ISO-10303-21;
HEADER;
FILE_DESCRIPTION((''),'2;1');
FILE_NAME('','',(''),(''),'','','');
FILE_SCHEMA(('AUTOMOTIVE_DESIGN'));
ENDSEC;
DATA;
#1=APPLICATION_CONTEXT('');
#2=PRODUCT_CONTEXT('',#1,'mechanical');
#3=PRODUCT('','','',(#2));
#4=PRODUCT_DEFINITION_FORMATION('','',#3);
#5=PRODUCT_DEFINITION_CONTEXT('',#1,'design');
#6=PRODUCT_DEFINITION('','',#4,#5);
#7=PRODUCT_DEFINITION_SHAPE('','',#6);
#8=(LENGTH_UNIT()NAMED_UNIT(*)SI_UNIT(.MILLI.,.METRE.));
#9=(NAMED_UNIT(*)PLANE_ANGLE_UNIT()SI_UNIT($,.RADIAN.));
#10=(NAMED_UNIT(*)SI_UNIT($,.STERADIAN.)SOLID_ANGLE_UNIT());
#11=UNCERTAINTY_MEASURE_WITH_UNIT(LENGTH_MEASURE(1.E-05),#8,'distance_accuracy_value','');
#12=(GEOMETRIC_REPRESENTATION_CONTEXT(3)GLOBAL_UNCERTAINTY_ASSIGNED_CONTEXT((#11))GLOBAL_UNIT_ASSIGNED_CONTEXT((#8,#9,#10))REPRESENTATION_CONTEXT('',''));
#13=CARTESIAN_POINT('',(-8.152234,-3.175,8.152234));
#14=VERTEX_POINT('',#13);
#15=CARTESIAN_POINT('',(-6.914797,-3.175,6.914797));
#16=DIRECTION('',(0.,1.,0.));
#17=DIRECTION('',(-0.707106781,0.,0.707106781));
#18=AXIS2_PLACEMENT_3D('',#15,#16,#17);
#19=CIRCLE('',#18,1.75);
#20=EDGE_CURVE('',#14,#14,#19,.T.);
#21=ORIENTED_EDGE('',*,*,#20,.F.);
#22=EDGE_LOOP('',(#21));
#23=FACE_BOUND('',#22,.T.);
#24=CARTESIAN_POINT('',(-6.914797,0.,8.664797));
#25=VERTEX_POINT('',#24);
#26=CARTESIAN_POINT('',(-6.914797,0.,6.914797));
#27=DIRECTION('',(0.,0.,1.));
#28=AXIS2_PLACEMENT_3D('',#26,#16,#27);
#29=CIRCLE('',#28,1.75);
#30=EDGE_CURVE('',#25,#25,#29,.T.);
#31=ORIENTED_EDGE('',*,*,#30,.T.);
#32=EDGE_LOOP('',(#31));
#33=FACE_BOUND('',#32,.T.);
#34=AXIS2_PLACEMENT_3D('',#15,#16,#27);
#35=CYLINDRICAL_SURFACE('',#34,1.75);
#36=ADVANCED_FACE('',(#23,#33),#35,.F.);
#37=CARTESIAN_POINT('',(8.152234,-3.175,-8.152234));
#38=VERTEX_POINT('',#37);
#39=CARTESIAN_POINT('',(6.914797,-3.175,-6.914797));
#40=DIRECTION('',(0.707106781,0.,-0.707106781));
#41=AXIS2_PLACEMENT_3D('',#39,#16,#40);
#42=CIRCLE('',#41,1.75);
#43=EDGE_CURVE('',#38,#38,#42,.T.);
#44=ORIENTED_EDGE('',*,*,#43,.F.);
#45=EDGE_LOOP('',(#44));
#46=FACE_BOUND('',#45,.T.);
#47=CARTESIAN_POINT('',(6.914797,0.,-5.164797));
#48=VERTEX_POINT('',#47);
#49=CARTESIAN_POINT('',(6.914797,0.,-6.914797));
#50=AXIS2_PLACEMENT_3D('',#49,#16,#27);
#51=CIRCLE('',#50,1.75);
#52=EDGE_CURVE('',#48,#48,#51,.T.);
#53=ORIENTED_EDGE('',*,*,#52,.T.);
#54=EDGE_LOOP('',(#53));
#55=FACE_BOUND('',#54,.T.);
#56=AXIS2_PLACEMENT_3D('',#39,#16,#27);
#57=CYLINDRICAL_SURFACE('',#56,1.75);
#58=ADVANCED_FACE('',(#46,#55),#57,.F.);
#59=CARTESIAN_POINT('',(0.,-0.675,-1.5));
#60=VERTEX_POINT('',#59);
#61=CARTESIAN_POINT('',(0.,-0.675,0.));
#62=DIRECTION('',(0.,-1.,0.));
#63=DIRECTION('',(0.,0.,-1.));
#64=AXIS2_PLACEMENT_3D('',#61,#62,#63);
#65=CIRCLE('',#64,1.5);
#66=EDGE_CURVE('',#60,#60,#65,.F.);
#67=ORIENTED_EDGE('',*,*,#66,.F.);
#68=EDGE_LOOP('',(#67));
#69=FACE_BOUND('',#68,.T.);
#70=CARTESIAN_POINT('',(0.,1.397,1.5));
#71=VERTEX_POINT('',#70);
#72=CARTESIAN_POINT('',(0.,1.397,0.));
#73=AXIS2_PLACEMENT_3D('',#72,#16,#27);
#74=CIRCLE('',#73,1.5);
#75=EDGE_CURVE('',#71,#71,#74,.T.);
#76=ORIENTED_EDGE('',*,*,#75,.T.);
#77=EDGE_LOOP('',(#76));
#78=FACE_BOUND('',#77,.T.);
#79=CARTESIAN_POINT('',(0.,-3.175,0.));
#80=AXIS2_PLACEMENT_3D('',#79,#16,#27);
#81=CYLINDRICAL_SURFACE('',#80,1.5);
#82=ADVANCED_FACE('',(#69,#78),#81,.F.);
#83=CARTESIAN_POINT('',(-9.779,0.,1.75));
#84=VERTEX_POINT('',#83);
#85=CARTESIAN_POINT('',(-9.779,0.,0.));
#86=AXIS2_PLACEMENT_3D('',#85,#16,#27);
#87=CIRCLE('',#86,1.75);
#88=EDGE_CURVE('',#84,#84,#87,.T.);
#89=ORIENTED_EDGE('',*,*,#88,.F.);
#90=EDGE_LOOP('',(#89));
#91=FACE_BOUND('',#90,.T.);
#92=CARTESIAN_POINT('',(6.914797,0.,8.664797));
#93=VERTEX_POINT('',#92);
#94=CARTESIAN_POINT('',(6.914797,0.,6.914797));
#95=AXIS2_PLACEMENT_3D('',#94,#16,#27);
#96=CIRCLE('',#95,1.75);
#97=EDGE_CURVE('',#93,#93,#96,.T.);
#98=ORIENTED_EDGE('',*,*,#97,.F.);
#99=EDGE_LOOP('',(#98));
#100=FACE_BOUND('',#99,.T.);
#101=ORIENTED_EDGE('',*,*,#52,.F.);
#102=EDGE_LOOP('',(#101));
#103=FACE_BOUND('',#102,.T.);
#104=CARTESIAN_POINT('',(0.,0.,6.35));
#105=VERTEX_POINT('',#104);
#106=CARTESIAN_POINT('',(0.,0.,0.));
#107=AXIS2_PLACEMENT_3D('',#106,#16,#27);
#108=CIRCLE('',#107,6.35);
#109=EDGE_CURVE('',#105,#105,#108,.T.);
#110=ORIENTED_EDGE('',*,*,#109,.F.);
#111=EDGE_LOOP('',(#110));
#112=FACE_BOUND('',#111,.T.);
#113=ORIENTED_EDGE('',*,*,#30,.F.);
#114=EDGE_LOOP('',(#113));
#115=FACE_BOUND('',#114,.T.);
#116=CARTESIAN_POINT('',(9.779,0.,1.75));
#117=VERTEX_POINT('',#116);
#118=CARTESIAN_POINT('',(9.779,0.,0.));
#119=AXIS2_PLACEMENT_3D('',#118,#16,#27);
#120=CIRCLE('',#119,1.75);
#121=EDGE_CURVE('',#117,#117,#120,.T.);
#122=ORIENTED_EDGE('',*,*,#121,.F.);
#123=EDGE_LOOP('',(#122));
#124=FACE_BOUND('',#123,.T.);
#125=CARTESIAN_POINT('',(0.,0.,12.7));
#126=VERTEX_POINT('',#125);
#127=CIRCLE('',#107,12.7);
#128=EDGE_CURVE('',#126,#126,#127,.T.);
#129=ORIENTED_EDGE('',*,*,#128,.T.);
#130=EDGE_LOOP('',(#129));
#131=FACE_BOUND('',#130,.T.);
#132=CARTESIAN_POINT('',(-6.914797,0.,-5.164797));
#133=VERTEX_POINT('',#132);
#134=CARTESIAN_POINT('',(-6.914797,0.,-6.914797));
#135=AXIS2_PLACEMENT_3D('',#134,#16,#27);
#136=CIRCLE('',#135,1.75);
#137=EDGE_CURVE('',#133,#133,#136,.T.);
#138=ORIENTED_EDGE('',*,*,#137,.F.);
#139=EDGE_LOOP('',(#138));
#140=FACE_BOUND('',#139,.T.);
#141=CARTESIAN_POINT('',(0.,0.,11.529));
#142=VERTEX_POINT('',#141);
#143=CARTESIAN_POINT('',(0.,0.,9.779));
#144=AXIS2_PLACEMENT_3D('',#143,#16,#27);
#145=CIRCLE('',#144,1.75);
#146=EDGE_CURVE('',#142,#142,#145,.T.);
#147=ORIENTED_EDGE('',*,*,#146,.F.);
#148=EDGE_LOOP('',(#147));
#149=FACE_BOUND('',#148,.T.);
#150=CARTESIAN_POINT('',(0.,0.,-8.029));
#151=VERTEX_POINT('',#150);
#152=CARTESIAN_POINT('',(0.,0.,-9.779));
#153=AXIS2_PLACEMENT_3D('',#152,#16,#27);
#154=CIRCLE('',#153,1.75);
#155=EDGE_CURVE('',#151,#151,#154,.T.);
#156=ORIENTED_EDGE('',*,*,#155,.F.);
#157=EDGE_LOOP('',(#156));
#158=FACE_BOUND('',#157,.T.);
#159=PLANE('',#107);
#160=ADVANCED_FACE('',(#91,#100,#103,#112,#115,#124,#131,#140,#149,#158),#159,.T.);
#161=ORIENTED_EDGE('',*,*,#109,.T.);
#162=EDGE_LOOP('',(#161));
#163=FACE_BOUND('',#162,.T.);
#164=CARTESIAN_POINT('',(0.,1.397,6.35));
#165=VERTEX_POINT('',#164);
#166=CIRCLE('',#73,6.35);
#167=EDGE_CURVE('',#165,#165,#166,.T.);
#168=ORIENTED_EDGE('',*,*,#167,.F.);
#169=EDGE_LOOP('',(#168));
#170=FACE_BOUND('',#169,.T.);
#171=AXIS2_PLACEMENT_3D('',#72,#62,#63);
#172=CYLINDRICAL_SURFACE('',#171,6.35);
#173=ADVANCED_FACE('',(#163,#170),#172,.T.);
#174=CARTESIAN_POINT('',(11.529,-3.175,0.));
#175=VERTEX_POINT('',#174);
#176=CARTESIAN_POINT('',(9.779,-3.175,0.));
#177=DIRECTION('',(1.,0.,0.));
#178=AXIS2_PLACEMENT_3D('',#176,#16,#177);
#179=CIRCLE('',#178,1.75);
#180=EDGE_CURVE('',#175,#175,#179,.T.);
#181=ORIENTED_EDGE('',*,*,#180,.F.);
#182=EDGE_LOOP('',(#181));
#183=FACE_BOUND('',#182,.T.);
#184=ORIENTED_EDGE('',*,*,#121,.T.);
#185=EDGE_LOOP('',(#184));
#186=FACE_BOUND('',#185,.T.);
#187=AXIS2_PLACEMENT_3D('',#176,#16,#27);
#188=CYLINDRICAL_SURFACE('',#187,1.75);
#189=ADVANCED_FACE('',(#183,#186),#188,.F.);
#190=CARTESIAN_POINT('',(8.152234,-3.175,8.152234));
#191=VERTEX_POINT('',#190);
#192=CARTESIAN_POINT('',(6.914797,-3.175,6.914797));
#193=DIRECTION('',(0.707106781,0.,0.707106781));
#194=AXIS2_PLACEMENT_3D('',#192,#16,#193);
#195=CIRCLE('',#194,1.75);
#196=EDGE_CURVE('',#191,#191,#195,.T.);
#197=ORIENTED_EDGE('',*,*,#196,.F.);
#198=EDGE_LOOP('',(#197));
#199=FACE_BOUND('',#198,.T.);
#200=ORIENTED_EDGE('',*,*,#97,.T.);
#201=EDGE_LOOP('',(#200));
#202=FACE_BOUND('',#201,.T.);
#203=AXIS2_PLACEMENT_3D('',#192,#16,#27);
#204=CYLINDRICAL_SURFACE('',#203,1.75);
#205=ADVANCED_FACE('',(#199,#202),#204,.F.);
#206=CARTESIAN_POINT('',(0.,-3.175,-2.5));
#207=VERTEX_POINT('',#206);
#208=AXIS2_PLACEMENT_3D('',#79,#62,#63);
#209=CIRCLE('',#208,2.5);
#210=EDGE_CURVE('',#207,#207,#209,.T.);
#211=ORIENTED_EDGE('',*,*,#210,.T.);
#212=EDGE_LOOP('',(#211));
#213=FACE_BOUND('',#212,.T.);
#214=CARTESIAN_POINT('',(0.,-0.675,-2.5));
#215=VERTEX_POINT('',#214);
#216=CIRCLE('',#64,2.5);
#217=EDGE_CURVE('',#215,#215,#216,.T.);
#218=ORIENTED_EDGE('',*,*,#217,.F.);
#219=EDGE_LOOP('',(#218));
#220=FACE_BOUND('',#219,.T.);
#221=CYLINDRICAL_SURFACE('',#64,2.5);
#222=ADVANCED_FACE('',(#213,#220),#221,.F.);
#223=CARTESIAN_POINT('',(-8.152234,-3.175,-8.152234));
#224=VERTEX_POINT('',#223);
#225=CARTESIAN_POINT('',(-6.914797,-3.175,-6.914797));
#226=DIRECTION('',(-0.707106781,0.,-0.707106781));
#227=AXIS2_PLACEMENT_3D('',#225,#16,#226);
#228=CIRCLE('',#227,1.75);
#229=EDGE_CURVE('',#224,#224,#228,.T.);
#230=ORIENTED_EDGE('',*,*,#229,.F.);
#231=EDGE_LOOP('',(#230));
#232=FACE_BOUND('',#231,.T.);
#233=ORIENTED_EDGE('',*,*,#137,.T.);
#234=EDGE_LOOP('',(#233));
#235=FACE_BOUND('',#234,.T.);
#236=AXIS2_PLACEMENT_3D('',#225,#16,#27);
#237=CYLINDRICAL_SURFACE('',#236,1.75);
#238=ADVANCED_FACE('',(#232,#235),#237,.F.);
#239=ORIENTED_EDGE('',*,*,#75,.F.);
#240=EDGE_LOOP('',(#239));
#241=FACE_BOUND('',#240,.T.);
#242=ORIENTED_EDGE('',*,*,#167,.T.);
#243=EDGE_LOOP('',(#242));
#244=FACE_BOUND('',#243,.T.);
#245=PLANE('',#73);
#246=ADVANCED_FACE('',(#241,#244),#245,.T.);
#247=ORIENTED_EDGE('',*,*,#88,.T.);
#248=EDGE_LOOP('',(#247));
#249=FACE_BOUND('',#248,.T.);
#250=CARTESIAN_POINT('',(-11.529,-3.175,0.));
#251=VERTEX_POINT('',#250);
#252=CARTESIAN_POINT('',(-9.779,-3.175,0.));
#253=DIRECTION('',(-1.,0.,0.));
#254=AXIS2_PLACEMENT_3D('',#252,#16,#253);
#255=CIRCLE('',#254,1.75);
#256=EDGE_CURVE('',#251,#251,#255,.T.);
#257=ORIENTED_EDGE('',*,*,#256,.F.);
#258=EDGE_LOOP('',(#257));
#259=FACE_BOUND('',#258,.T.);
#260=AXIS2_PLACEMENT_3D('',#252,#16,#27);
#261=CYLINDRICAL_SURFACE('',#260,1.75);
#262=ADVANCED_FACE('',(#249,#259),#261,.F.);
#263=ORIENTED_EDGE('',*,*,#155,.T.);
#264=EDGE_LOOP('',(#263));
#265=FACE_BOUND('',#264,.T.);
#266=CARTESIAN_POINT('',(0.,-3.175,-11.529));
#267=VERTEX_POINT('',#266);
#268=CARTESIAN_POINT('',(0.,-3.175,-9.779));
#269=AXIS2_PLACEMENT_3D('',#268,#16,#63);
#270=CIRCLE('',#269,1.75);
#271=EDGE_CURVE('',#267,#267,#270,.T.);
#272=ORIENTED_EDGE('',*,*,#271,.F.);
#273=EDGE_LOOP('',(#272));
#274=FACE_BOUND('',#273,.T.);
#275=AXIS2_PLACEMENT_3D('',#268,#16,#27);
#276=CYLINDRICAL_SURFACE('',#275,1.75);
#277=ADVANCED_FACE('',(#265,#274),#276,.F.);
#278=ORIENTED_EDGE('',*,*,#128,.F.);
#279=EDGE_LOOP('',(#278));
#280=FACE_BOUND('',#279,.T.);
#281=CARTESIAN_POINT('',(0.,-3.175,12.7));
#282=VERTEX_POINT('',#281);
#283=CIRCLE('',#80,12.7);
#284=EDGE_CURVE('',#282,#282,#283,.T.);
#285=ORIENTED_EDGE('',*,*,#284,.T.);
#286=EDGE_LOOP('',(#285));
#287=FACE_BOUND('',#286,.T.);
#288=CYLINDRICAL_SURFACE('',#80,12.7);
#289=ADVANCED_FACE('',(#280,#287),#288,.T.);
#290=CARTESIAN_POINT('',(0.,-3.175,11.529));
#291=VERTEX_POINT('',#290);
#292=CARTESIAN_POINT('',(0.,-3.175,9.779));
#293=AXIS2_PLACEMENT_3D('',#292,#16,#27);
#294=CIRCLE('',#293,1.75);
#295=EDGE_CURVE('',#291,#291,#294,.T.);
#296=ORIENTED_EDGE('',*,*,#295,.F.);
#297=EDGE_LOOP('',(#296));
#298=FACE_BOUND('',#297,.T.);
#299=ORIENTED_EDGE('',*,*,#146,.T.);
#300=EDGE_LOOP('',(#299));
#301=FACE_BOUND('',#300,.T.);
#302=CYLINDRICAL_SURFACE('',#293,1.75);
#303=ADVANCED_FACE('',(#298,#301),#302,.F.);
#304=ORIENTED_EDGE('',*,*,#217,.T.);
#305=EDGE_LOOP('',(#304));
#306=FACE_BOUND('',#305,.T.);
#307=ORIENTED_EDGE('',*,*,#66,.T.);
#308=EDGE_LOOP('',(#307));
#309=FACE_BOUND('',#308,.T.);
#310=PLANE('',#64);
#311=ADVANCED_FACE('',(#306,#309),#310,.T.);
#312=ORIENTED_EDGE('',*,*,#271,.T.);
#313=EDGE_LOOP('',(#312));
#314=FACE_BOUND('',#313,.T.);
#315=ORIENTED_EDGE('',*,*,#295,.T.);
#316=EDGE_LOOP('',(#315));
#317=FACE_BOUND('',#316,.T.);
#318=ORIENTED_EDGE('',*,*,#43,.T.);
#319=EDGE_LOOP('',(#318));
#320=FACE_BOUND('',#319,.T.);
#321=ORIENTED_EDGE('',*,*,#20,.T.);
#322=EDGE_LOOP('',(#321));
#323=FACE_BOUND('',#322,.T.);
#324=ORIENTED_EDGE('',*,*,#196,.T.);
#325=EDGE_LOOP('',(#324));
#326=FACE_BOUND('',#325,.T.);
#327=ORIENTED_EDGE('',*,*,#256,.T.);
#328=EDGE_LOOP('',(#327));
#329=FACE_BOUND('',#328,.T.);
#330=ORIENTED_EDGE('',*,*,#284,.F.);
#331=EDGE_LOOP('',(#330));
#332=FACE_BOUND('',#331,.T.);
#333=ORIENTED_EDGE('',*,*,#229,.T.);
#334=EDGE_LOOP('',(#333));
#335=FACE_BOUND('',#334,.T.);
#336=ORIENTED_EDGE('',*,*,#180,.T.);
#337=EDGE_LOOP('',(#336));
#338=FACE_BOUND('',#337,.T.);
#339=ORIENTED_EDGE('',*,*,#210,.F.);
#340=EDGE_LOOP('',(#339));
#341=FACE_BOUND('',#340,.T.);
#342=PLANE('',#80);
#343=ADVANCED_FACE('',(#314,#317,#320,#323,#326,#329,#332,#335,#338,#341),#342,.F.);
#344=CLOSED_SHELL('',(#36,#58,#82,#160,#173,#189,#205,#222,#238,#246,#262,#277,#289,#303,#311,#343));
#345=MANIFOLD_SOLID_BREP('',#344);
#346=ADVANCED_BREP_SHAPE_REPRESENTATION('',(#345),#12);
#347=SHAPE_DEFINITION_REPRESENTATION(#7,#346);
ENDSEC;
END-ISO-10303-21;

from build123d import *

# Parameters (mm, degrees)
SKETCH1_R               = 12.7
BOSS_EXTRUDE1_DEPTH     = 3.175
SKETCH2_R               = 6.35
BOSS_EXTRUDE2_DEPTH     = 1.397
CUT_EXTRUDE1_DEPTH      = 19.533299329
CUT_EXTRUDE1_DEPTH_BACK = 19.533299329
SKETCH3_R               = 1.5
SKETCH4_R               = 1.75
CUT_EXTRUDE2_DEPTH      = 19.238986403
CIRPATTERN1_COUNT       = 8
SKETCH5_R               = 2.5
CUT_EXTRUDE3_DEPTH      = 2.5


with BuildPart() as part:
    # Sketch1 → Boss-Extrude1 (new body)
    with BuildSketch(Plane(origin=(0, 0, 0), x_dir=(1, 0, 0), z_dir=(0, 1, 0))):
        with Locations(Location((0, 0, 0), (0, 0, 270))):
            Circle(SKETCH1_R)
    extrude(amount=-BOSS_EXTRUDE1_DEPTH)

    # Sketch2 → Boss-Extrude2 (add)
    with BuildSketch(Plane(origin=(0, 0, 0), x_dir=(1, 0, 0), z_dir=(0, 1, 0))):
        with Locations(Location((0, 0, 0), (0, 0, 270))):
            Circle(SKETCH2_R)
    extrude(amount=BOSS_EXTRUDE2_DEPTH)

    # Sketch3 → Cut-Extrude1 (cut, two sides: drawn at the far end of the back side and taken through both)
    with BuildSketch(Plane(origin=(0, 1.397, 0), x_dir=(1, 0, 0), z_dir=(0, 1, 0)).offset(-CUT_EXTRUDE1_DEPTH_BACK)):
        with Locations(Location((0, 0, 0), (0, 0, 270))):
            Circle(SKETCH3_R)
    extrude(amount=CUT_EXTRUDE1_DEPTH + CUT_EXTRUDE1_DEPTH_BACK, mode=Mode.SUBTRACT)

    # Sketch4 → Cut-Extrude2 (cut, symmetric)
    with BuildSketch(Plane(origin=(0, 0, 0), x_dir=(1, 0, 0), z_dir=(0, 1, 0))):
        with Locations(Location((0, -9.779, 0), (0, 0, 270))):
            Circle(SKETCH4_R)
    cut_extrude2 = extrude(amount=CUT_EXTRUDE2_DEPTH, both=True, mode=Mode.SUBTRACT)

    # CirPattern1: Cut-Extrude2 ×8 about axis
    cirpattern1_axis = Axis((0, 0, 0), (0, 1, 0))
    for i in range(1, CIRPATTERN1_COUNT):
        add(cut_extrude2.rotate(cirpattern1_axis, i * 360 / CIRPATTERN1_COUNT), mode=Mode.SUBTRACT)

    # Sketch5 → Cut-Extrude3 (cut)
    with BuildSketch(Plane.XZ.offset(3.175)):
        with Locations(Location((0, 0, 0), (0, 0, 270))):
            Circle(SKETCH5_R)
    extrude(amount=-CUT_EXTRUDE3_DEPTH, mode=Mode.SUBTRACT)


solid = part.part
